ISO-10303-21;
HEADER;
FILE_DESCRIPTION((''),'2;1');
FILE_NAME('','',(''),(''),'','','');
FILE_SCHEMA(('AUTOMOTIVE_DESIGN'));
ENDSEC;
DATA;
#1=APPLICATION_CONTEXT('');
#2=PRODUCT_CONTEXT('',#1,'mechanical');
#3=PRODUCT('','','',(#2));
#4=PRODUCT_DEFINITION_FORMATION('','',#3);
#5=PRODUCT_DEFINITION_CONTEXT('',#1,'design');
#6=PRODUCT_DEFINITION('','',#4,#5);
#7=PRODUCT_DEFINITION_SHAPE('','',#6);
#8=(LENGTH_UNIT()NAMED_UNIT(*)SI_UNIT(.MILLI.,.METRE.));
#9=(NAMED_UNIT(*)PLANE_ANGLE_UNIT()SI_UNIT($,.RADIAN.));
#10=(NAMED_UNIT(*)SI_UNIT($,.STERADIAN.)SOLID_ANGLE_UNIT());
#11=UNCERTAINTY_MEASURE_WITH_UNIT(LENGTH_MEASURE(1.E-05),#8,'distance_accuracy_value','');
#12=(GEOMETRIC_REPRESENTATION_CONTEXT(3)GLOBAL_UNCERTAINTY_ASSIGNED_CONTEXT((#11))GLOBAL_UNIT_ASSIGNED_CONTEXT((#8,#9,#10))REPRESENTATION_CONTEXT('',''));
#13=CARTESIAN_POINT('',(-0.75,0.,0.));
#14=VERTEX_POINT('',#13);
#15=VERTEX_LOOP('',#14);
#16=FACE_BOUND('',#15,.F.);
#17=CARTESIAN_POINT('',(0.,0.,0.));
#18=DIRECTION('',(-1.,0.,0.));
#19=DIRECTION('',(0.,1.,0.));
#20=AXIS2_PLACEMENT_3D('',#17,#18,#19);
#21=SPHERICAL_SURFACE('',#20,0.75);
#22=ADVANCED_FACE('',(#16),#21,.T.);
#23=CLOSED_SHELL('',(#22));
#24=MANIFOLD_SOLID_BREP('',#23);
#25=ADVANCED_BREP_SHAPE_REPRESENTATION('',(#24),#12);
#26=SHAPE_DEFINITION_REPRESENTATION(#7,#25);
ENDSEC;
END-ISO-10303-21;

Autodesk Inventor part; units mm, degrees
sketch "Sketch_1" plane through (0, 0, 0) normal (0, 0, 1) x (1, 0, 0)
  line L0 (0.75, 0) -> (-0.75, 0)
  arc A0 (0.75, 0) -> (-0.75, 0) centre (0, 0) ccw
  line L1 (0.75, 0) -> (-0.75, 0)
revolve "Revolution1" add sketch "Sketch_1" angle 360 about axis through (0.75, 0, 0) along (1, 0, 0)
ref_plane "ip_st_b_XY" through (0, 0, 0) normal (-1, 0, 0) x (0, 0, -1)
ref_plane "ip_st_b_YZ" through (0, 0, 0) normal (0, 0, -1) x (0, -1, 0)
ref_plane "ip_st_b_ZX" through (0, 0, 0) normal (0, -1, 0) x (-1, 0, 0)
properties part number "684AZZ Ball"
